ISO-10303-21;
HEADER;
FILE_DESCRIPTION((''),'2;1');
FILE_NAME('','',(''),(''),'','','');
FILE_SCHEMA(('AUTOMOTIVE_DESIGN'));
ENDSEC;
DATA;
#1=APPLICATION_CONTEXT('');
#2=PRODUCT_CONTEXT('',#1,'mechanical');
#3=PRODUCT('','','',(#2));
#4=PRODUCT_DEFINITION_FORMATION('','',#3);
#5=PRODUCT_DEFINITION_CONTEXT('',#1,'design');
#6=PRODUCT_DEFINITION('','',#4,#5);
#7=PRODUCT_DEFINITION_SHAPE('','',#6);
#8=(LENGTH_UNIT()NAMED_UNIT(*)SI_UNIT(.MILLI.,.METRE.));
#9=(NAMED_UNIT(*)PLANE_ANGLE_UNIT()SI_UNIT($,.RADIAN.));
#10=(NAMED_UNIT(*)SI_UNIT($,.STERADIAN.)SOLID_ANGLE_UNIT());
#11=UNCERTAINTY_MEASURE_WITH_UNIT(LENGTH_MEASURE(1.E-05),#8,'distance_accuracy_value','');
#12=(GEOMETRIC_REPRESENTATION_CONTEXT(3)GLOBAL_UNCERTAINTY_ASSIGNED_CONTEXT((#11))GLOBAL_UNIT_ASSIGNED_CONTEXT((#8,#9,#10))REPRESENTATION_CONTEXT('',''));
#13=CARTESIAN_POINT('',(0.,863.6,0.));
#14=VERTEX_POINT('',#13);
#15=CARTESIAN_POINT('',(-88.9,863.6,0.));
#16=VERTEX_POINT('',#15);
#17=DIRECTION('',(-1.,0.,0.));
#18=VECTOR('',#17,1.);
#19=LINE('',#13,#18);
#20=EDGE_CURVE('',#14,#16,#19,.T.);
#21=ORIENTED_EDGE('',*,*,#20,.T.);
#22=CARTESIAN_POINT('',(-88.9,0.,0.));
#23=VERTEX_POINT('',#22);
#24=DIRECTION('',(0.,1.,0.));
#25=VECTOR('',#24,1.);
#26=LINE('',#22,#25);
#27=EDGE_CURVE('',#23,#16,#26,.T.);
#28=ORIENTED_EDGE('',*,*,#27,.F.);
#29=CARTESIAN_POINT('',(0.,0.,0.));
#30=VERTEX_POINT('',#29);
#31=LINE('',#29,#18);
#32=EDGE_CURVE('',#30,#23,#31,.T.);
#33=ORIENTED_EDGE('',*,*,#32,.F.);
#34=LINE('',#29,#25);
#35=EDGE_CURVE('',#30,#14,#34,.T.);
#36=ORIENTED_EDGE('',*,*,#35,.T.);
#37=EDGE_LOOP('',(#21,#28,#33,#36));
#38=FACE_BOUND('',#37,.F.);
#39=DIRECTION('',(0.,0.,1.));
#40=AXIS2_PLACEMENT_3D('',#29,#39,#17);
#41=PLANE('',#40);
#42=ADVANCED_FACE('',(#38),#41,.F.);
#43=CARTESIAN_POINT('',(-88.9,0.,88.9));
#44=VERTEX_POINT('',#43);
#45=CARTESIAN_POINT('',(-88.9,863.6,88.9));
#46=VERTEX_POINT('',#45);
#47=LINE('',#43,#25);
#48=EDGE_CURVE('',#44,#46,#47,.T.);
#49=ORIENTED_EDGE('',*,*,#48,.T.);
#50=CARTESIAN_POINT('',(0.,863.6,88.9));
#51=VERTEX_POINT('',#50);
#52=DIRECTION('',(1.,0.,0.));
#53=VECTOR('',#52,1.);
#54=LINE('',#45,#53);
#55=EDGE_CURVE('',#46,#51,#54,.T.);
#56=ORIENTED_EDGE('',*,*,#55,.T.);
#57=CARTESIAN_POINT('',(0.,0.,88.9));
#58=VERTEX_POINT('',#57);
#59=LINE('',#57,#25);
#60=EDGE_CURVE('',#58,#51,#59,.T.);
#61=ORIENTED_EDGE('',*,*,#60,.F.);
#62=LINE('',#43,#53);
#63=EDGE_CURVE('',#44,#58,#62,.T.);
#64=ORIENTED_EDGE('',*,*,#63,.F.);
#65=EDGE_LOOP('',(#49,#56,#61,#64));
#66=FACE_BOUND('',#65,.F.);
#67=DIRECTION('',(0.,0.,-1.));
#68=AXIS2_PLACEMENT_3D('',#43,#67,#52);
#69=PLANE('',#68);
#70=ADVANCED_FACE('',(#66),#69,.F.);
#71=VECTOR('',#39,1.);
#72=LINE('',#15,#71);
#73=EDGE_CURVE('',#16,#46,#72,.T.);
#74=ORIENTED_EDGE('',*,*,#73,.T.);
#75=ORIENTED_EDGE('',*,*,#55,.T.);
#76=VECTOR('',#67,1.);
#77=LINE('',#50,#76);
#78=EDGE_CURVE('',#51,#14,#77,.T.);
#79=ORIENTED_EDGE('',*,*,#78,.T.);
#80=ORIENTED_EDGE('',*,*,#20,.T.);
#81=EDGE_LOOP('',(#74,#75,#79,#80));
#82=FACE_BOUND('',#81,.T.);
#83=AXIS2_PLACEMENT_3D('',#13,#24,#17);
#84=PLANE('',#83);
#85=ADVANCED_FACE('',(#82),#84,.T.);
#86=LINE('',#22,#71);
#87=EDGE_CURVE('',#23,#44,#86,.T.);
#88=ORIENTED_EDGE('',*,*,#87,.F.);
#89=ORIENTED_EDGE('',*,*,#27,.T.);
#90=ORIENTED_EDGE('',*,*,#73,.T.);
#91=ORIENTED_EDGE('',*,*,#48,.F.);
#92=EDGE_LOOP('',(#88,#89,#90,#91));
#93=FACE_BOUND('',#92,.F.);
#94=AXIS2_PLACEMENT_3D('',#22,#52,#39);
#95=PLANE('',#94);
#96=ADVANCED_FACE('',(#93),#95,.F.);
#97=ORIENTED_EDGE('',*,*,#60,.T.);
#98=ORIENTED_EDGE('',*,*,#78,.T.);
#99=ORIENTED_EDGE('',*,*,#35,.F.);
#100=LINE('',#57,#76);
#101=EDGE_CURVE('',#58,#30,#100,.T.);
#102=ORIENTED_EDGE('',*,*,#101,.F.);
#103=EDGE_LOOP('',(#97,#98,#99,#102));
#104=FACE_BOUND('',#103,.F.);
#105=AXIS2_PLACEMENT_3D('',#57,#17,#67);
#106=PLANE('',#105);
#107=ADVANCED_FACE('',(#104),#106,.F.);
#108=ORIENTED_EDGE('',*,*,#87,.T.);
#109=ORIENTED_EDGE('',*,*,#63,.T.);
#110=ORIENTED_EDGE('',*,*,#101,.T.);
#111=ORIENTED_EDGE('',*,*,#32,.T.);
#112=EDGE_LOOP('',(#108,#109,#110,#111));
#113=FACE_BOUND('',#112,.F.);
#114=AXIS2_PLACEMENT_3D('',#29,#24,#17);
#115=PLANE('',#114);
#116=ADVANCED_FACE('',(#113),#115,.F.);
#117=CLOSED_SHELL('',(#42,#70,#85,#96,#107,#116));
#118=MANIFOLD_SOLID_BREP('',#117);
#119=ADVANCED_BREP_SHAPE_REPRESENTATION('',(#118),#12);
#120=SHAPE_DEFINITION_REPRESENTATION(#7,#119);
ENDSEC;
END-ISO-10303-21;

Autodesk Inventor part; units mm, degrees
ref_plane "YZ Plane" through (0, 0, 0) normal (1, 0, 0) x (0, 1, 0)
ref_plane "XZ Plane" through (0, 0, 0) normal (0, 1, 0) x (-1, 0, 0)
ref_plane "XY Plane" through (0, 0, 0) normal (0, 0, 1) x (1, 0, 0)
sketch "Sketch1" plane through (0, 0, 0) normal (0, 1, 0) x (-1, 0, 0)
  line L0 (0, 0) -> (88.9, 0)
  line L1 (88.9, 0) -> (88.9, 88.9)
  line L2 (88.9, 88.9) -> (0, 88.9)
  line L3 (0, 88.9) -> (0, 0)
  dimension "d0" = 88.9
  dimension "d1" = 88.9
extrude "Extrusion1" add sketch "Sketch1" along normal blind 863.6
properties part number "4by4by34" material "Wood (Cherry)"
